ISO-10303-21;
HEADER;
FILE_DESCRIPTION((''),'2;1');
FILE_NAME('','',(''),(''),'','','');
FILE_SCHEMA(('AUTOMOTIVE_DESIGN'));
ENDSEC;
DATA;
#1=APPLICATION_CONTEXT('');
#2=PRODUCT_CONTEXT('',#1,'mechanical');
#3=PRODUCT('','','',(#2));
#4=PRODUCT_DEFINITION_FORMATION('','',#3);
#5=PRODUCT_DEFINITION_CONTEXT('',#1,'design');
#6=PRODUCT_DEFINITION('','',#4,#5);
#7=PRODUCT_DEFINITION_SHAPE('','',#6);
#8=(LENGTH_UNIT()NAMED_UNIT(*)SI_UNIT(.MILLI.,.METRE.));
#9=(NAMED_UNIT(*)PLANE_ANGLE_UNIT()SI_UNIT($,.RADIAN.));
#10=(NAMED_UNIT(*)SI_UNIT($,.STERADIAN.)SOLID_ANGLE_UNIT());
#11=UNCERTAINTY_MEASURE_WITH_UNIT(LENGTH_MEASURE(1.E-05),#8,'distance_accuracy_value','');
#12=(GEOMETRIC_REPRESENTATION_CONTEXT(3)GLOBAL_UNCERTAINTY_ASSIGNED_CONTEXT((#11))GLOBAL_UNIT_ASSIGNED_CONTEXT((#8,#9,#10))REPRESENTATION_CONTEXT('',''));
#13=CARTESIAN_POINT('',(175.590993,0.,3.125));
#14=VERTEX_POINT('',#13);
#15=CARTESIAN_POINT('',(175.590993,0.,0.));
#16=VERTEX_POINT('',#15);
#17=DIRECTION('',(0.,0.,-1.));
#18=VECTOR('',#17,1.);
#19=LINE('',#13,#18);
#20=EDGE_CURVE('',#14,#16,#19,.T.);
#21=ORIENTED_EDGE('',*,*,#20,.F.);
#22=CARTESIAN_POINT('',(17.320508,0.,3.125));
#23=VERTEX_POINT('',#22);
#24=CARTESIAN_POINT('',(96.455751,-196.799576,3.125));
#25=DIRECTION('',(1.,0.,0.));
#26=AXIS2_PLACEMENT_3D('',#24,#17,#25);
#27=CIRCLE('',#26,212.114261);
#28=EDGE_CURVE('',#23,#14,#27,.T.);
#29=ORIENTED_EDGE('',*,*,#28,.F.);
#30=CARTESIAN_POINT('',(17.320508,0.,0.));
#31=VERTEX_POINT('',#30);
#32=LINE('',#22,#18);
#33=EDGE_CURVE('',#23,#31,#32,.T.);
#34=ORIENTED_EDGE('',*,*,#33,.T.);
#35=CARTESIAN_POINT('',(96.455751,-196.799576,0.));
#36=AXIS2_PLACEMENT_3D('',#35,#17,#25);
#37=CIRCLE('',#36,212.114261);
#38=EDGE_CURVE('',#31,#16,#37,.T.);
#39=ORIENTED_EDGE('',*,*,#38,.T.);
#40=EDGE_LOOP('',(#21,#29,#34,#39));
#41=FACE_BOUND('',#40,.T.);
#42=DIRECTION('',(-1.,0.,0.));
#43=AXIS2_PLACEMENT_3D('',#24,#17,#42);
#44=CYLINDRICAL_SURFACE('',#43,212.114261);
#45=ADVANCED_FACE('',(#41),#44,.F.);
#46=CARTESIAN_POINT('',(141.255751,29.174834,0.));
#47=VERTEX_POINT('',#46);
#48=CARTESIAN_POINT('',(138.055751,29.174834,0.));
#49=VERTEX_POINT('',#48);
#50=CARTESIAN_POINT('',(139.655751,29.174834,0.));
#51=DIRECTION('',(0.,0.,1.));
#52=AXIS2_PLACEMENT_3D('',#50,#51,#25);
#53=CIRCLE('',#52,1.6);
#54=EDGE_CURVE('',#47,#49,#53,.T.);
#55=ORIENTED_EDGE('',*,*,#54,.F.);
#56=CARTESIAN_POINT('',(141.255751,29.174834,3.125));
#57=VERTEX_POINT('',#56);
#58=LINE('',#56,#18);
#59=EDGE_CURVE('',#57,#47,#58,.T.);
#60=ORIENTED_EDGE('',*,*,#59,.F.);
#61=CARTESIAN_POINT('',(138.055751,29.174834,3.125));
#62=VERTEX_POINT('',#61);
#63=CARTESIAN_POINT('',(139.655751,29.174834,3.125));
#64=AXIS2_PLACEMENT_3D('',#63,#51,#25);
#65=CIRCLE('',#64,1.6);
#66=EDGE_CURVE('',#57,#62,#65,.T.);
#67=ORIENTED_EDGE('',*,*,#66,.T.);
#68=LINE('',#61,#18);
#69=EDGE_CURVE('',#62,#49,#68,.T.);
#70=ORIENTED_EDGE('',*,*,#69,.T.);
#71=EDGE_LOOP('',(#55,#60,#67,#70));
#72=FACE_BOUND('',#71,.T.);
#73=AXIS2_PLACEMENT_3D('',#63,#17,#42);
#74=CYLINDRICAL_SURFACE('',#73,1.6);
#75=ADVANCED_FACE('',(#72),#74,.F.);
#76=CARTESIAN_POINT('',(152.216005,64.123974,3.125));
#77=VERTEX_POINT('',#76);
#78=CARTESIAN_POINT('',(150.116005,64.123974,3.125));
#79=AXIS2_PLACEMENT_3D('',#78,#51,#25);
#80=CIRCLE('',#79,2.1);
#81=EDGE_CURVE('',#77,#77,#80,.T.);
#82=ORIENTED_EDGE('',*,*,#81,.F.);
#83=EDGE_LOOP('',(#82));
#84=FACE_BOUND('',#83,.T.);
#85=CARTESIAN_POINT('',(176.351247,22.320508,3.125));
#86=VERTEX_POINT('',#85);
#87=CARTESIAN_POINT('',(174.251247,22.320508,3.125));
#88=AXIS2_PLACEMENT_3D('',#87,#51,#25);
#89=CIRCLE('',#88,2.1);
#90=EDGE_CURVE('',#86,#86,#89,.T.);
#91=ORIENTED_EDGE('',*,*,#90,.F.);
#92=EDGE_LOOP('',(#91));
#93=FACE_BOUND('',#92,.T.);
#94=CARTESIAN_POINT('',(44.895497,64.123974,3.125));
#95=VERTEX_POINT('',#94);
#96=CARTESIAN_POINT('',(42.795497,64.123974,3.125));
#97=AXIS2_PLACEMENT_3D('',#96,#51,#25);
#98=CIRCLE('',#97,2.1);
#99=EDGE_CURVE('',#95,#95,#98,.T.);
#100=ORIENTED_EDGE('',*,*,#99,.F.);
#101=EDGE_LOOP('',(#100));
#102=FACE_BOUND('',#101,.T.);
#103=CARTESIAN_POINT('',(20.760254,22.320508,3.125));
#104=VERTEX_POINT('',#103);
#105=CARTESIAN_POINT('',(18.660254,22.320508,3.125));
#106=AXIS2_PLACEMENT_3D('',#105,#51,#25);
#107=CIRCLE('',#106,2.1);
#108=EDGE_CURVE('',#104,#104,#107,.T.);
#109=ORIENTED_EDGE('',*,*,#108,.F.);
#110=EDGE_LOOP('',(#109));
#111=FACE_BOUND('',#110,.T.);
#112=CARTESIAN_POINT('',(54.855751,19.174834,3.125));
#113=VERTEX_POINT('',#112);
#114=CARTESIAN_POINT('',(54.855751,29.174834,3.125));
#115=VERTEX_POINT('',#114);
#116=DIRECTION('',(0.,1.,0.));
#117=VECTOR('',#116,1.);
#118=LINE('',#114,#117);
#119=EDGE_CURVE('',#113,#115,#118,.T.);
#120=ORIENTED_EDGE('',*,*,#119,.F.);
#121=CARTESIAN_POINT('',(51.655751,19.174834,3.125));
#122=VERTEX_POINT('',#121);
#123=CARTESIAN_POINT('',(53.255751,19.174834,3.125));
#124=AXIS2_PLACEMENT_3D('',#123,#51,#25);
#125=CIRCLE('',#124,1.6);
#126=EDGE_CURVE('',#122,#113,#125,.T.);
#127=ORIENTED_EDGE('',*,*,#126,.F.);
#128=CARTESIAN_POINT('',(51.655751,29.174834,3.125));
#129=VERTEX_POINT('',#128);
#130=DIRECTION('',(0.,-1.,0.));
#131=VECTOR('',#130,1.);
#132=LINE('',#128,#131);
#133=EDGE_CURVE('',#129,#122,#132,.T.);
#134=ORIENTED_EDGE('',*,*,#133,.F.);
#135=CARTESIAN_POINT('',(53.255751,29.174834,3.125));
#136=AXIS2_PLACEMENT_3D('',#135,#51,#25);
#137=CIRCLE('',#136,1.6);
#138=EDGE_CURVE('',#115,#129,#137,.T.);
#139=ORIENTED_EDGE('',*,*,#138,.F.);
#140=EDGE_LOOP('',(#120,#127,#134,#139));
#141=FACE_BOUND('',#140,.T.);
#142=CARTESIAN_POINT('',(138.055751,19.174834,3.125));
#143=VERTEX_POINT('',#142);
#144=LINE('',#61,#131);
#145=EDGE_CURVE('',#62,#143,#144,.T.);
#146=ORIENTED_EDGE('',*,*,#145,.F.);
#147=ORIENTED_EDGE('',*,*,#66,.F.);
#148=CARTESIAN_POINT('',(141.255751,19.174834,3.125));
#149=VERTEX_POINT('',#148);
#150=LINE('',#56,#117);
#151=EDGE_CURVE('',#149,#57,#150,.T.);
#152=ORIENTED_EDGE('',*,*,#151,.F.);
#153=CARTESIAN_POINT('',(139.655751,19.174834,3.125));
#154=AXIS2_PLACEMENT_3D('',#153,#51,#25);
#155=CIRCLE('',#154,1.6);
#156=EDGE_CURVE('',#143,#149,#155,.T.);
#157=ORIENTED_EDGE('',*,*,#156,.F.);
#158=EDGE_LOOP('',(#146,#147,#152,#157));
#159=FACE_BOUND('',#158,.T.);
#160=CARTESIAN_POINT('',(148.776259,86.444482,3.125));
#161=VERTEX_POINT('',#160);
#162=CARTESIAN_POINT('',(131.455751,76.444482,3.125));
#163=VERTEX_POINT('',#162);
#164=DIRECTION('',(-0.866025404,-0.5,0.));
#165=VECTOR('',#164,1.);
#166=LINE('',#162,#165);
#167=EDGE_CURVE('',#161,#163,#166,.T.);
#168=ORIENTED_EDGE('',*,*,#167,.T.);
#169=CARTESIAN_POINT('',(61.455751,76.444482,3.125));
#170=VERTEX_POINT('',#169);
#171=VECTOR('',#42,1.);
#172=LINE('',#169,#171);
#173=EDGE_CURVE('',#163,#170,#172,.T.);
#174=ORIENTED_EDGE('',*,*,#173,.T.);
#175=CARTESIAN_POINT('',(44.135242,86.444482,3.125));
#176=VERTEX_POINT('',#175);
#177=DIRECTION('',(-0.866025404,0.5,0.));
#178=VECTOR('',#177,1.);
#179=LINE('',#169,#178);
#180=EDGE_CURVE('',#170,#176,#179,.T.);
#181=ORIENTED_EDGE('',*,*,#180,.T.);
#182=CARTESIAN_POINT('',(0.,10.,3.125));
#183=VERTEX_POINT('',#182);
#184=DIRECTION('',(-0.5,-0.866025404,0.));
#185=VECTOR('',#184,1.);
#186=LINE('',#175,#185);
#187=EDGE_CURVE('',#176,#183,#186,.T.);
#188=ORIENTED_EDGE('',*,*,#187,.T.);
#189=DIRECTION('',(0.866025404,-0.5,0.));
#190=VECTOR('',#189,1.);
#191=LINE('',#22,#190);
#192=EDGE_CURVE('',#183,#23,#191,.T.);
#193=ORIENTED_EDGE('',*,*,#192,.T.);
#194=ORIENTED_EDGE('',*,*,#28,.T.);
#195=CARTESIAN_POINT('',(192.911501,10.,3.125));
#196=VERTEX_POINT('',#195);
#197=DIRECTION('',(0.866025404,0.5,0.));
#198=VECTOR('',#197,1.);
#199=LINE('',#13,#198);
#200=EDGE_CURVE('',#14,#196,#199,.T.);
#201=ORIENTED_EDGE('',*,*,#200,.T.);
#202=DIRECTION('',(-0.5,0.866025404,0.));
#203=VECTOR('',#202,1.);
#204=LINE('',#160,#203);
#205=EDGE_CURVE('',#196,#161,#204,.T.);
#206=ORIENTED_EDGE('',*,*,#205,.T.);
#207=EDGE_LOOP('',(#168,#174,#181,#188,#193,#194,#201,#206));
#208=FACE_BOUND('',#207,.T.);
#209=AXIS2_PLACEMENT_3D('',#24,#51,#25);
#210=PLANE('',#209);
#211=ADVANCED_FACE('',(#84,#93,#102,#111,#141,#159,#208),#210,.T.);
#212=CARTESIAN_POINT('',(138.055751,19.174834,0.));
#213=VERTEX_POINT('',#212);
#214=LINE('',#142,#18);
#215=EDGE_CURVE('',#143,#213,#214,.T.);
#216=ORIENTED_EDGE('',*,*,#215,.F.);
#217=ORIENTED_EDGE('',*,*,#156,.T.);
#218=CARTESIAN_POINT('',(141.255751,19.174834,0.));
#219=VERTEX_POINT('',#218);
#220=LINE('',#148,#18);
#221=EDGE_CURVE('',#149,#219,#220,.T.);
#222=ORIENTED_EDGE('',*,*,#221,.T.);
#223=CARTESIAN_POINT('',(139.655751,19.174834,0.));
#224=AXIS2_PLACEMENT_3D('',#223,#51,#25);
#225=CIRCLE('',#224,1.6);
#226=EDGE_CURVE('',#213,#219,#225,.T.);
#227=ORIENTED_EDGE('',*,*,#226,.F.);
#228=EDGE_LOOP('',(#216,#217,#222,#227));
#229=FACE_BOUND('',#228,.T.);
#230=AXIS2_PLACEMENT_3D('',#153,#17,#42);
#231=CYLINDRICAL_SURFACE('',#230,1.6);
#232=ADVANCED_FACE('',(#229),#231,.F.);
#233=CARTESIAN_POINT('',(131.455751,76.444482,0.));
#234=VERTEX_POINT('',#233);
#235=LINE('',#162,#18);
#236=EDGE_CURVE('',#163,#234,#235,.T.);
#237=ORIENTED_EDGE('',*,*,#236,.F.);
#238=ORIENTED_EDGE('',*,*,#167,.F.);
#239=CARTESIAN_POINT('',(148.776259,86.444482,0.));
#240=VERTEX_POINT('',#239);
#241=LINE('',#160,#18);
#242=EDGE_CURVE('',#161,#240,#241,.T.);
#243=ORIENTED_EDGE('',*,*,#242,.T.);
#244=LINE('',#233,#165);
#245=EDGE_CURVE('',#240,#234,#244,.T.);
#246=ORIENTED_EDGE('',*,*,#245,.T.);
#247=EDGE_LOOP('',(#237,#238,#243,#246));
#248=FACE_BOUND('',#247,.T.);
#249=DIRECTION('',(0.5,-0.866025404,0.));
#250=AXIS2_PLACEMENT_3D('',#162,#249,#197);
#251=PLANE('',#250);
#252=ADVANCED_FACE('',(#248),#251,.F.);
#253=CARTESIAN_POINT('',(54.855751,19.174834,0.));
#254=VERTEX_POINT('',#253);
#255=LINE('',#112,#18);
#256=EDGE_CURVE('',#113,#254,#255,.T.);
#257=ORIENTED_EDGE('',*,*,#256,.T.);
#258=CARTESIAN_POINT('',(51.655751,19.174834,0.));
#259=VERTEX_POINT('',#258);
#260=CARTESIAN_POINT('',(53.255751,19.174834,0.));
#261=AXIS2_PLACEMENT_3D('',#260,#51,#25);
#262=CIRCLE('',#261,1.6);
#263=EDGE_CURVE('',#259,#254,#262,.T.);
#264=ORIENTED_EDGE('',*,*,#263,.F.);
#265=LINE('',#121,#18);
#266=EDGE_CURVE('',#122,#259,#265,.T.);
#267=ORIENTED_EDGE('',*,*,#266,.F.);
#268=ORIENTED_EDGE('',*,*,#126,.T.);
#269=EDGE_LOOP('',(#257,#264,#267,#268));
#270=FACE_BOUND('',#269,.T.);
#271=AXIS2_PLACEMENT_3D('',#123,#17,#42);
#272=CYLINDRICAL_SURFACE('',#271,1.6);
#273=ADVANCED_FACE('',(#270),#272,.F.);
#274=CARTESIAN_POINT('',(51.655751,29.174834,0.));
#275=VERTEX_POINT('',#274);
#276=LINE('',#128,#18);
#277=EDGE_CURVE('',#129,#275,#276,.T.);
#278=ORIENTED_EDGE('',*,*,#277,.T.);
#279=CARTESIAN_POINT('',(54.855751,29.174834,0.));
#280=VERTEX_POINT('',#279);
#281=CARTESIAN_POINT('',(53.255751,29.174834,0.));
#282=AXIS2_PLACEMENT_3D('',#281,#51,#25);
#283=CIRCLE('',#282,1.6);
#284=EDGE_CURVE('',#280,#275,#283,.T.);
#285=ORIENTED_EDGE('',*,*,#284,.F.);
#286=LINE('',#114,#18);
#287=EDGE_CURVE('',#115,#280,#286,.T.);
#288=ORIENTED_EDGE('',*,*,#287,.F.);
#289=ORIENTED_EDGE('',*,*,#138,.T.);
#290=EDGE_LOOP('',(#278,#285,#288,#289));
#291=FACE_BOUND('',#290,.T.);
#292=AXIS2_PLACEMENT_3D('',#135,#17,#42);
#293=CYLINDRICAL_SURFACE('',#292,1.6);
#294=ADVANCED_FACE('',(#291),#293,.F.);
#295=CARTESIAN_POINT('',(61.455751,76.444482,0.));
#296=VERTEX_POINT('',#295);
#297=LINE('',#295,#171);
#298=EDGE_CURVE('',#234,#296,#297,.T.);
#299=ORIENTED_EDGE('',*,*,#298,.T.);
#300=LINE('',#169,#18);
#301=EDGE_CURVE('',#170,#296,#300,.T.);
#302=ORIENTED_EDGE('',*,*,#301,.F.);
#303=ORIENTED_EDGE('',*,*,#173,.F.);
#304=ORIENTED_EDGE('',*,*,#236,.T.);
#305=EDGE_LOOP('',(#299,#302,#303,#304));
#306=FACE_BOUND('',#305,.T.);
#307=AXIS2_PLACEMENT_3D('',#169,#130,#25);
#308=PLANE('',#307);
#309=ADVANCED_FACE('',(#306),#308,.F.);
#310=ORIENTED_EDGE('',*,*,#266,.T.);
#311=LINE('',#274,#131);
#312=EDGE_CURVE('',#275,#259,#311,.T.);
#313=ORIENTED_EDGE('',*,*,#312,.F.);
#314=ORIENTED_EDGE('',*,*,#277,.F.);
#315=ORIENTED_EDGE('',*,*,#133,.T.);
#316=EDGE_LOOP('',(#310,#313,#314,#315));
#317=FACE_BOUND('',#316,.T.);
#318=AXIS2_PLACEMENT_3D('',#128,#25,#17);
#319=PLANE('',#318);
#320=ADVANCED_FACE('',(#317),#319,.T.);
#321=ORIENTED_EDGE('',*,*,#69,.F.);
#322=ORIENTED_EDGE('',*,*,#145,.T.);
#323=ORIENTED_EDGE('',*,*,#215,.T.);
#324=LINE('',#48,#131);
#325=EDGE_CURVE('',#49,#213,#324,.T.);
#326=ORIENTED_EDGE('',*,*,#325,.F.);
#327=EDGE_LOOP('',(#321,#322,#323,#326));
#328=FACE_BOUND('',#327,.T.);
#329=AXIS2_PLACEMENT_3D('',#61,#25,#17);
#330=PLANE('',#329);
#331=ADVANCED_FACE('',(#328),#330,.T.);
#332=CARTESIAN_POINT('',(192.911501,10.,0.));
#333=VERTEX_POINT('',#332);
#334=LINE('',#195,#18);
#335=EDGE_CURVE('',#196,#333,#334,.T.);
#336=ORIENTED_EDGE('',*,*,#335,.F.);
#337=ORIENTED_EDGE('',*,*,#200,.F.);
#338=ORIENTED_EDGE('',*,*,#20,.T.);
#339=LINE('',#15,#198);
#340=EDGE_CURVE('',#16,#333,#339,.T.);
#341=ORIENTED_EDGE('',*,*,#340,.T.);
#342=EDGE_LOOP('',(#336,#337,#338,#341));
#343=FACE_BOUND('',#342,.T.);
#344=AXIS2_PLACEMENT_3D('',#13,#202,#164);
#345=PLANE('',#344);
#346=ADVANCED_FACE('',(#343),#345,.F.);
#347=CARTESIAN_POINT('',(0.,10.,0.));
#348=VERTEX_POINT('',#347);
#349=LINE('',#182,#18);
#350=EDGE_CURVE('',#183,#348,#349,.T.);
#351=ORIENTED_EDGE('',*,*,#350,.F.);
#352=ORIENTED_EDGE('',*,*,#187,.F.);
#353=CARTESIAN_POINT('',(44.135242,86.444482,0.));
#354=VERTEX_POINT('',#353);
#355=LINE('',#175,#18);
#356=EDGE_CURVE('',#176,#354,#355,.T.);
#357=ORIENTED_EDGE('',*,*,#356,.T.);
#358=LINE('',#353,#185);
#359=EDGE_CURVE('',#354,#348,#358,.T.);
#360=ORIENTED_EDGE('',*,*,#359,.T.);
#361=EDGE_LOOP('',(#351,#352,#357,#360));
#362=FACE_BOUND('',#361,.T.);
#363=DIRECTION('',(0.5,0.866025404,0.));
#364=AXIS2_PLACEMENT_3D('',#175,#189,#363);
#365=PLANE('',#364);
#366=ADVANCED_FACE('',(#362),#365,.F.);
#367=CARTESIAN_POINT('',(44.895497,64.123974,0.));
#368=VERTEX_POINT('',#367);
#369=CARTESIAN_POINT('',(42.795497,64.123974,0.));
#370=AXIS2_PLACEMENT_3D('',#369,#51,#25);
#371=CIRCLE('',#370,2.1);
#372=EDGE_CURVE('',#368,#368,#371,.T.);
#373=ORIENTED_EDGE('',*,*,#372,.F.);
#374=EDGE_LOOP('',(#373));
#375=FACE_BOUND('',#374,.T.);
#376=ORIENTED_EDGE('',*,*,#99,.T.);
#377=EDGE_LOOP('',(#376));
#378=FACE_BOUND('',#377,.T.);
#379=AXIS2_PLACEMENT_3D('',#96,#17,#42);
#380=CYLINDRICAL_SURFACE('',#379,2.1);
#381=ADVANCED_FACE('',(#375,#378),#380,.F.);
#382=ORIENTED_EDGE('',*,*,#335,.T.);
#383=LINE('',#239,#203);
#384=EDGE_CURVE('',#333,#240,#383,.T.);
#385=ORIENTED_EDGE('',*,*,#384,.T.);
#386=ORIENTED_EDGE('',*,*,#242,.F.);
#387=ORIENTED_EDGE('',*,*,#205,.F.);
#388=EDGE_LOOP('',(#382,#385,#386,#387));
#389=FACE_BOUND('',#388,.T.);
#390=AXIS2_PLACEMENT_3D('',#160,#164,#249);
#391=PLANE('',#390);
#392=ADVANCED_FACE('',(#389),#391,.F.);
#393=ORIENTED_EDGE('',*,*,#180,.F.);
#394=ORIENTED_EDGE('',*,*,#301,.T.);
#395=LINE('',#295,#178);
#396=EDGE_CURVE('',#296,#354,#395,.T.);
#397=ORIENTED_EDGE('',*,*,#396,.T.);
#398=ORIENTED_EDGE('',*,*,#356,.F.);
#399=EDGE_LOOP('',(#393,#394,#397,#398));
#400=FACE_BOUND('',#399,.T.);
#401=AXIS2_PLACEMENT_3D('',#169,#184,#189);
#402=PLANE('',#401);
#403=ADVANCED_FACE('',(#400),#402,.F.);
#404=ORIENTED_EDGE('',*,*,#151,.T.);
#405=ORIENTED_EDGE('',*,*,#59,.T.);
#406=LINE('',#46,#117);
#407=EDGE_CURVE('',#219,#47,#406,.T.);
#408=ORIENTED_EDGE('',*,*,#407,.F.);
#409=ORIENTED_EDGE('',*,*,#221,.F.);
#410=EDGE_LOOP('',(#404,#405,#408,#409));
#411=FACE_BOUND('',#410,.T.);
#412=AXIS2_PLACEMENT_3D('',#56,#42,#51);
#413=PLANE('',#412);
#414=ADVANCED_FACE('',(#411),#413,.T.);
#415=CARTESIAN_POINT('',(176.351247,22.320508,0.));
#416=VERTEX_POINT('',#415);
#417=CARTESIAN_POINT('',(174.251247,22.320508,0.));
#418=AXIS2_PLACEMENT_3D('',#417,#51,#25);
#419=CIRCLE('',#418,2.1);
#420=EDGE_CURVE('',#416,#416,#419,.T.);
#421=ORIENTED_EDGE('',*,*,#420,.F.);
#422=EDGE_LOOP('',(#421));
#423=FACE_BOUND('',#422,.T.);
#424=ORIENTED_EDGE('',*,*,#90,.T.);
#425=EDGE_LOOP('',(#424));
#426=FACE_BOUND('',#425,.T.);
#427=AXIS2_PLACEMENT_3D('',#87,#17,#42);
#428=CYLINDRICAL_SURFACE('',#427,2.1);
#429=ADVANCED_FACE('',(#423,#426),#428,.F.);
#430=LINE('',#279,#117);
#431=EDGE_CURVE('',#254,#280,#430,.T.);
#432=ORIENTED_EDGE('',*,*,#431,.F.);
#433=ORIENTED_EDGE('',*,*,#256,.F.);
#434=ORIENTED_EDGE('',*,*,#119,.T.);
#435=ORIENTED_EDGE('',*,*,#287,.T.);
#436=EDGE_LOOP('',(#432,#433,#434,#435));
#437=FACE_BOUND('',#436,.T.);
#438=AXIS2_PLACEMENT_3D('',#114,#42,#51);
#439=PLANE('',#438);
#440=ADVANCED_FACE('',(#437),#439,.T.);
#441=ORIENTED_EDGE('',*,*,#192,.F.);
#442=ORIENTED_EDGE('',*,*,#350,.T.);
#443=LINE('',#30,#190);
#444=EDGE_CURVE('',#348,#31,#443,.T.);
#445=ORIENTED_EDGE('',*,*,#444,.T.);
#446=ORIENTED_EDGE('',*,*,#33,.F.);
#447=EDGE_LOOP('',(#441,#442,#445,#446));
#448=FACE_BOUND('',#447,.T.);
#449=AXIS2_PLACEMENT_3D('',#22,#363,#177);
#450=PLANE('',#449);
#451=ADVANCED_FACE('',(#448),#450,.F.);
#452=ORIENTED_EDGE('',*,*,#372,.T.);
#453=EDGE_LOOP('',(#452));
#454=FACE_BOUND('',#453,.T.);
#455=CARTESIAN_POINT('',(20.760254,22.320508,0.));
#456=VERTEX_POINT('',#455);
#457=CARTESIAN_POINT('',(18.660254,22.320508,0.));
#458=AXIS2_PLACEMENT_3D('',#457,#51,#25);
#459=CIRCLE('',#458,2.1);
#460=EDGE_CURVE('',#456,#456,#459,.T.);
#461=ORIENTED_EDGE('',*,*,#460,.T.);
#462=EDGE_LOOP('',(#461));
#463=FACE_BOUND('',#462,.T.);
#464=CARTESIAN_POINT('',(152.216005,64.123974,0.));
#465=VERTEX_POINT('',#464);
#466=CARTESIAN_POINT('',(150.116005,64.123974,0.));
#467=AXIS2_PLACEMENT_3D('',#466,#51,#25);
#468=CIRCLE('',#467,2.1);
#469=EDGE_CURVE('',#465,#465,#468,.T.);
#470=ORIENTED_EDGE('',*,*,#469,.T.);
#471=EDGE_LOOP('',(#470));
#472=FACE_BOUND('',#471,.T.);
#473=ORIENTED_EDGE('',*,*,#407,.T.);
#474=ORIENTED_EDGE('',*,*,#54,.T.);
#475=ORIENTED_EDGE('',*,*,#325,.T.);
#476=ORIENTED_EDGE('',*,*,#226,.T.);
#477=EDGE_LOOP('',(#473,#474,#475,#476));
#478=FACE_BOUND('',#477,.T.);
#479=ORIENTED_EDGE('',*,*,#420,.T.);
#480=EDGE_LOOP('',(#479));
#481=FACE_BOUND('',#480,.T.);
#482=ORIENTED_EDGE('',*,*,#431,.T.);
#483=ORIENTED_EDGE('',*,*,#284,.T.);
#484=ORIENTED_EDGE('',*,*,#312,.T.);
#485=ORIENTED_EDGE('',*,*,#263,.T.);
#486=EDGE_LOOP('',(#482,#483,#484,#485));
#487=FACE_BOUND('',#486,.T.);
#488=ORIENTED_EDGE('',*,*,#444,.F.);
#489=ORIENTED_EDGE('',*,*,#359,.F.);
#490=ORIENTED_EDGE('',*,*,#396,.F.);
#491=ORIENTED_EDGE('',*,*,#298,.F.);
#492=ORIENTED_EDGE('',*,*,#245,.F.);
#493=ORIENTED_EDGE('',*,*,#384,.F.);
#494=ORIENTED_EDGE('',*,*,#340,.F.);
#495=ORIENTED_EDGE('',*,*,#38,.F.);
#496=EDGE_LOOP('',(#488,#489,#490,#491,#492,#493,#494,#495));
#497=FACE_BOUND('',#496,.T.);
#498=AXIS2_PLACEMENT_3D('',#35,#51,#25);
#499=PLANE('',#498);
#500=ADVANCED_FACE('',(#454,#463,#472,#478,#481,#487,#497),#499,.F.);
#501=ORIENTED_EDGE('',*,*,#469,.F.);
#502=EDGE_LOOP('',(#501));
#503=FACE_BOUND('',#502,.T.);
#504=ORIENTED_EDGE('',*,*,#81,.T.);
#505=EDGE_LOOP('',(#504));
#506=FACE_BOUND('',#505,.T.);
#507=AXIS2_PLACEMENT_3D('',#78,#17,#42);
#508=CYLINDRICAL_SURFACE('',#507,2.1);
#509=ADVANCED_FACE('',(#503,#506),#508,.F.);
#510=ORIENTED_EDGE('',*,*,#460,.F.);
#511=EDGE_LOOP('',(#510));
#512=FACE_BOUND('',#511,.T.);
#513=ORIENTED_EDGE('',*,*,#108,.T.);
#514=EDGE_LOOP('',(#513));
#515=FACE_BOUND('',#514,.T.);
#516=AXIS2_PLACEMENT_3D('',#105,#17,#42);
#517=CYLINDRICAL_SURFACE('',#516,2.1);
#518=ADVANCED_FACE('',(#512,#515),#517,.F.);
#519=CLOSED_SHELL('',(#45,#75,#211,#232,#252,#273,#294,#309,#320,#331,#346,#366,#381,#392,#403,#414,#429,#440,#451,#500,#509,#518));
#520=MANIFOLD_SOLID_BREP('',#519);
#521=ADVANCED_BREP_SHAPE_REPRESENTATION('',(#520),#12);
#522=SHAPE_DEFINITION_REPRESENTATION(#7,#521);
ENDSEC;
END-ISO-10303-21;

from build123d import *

# Parameters (mm, degrees)
MODEL_R             = 2.1
BOSS_EXTRUDE1_DEPTH = 3.125


with BuildPart() as part:
    # Model → Boss-Extrude1 (new body)
    with BuildSketch(Plane.XY):
        with BuildLine():
            Line((175.590993043, 0), (192.911501119, 10))
            Line((192.911501119, 10), (148.776258635, 86.444482386))
            Line((148.776258635, 86.444482386), (131.455750559, 76.444482386))
            Line((131.455750559, 76.444482386), (61.455750559, 76.444482386))
            Line((61.455750559, 76.444482386), (44.135242484, 86.444482386))
            Line((44.135242484, 86.444482386), (0, 10))
            Line((0, 10), (17.320508076, 0))
            ThreePointArc((17.320508076, 0), (96.455750559, 15.314685), (175.590993043, 0))
        make_face()
        with Locations((42.795496522, 64.123974311)):
            Circle(MODEL_R, mode=Mode.SUBTRACT)
        with Locations((18.660254038, 22.320508076)):
            Circle(MODEL_R, mode=Mode.SUBTRACT)
        with Locations((150.116004597, 64.123974311)):
            Circle(MODEL_R, mode=Mode.SUBTRACT)
        with Locations((174.251247081, 22.320508076)):
            Circle(MODEL_R, mode=Mode.SUBTRACT)
        with BuildLine():
            Line((54.855750559, 29.174833766), (54.855750559, 19.174833766))
            ThreePointArc((54.855750559, 19.174833766), (53.255750559, 17.574833766), (51.655750559, 19.174833766))
            Line((51.655750559, 19.174833766), (51.655750559, 29.174833766))
            ThreePointArc((51.655750559, 29.174833766), (53.255750559, 30.774833766), (54.855750559, 29.174833766))
        make_face(mode=Mode.SUBTRACT)
        with BuildLine():
            Line((141.255750559, 29.174833766), (141.255750559, 19.174833766))
            ThreePointArc((141.255750559, 19.174833766), (139.655750559, 17.574833766), (138.055750559, 19.174833766))
            Line((138.055750559, 19.174833766), (138.055750559, 29.174833766))
            ThreePointArc((138.055750559, 29.174833766), (139.655750559, 30.774833766), (141.255750559, 29.174833766))
        make_face(mode=Mode.SUBTRACT)
    extrude(amount=BOSS_EXTRUDE1_DEPTH)


solid = part.part
